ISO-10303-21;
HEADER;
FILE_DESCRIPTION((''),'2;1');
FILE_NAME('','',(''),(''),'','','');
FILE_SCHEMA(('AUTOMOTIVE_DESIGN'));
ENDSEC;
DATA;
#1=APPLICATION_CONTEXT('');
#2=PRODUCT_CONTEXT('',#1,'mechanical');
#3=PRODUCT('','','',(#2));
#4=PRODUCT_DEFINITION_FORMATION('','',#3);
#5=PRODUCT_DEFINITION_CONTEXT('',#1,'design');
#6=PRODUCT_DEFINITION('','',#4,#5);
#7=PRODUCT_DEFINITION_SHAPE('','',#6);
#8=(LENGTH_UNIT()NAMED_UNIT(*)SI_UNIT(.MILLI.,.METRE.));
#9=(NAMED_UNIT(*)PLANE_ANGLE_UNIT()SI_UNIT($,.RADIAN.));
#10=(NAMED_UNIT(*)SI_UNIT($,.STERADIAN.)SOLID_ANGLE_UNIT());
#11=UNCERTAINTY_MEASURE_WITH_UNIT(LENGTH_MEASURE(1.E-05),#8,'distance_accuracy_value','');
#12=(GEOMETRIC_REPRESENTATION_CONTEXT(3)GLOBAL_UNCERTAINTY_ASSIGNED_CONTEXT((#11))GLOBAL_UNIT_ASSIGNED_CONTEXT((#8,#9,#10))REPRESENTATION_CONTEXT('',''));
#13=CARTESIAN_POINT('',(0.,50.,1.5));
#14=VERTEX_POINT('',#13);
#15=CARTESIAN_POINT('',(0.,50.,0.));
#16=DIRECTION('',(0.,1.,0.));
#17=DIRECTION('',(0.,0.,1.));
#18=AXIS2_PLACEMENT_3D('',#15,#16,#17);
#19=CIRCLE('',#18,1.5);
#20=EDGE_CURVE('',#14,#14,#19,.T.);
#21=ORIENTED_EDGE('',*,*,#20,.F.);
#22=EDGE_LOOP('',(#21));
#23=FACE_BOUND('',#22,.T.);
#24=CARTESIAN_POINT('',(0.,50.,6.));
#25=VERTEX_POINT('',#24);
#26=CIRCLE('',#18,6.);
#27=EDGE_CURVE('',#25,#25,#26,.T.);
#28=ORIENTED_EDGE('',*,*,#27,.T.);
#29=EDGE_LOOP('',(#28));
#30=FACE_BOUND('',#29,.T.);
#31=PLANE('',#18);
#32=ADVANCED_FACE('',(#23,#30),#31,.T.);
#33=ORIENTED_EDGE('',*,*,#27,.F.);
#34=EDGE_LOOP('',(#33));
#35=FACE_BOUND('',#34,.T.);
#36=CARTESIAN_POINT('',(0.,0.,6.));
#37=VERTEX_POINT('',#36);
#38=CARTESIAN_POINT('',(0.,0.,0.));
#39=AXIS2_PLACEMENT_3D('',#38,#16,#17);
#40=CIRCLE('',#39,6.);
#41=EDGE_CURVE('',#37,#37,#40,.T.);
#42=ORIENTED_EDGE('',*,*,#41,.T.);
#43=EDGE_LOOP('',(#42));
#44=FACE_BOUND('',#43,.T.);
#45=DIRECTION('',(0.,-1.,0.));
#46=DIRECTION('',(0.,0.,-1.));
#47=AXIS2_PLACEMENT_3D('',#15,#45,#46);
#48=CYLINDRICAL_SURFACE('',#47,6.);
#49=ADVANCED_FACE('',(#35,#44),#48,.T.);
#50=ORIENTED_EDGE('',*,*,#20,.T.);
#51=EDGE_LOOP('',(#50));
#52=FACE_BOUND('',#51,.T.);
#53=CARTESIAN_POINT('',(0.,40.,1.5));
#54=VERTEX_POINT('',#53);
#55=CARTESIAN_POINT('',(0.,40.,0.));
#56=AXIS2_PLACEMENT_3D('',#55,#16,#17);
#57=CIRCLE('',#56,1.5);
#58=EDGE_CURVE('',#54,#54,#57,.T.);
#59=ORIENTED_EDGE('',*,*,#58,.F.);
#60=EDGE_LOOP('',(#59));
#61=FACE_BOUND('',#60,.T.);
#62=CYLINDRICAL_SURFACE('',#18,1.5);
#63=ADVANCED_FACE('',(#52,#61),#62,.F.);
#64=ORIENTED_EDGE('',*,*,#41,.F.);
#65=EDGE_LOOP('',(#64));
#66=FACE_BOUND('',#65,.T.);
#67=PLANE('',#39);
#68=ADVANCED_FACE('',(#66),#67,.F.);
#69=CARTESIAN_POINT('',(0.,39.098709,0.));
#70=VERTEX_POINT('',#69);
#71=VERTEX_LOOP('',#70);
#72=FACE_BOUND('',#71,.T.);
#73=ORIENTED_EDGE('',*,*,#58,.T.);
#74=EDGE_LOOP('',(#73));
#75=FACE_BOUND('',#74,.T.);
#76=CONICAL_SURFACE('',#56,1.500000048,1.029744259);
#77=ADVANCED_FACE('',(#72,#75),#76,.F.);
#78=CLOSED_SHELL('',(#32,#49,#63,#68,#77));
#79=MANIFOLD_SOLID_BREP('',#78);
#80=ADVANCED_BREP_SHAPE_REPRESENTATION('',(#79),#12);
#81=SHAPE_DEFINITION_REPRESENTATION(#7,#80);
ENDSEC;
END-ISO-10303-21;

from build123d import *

# Parameters (mm, degrees)
SKETCH1_R                       = 6
BOSS_EXTRUDE1_DEPTH             = 50
F_32_0_116_DIAMETER_HOLE1_D     = 3.000000096
F_32_0_116_DIAMETER_HOLE1_DEPTH = 10
F_32_0_116_DIAMETER_HOLE1_TIP   = 0.901290957


with BuildPart() as part:
    # Sketch1 → Boss-Extrude1 (new body)
    with BuildSketch(Plane(origin=(0, 0, 0), x_dir=(1, 0, 0), z_dir=(0, 1, 0))):
        with Locations(Location((0, 0, 0), (0, 0, 270))):
            Circle(SKETCH1_R)
    extrude(amount=BOSS_EXTRUDE1_DEPTH)

    # #32 (0.116) Diameter Hole1
    with Locations(Plane(origin=(0, 50, 0), x_dir=(1, 0, 0), z_dir=(0, 1, 0))):
        with Locations((0, 0)):
            Hole(F_32_0_116_DIAMETER_HOLE1_D / 2, depth=F_32_0_116_DIAMETER_HOLE1_DEPTH)
            with Locations((0, 0, -(F_32_0_116_DIAMETER_HOLE1_DEPTH + F_32_0_116_DIAMETER_HOLE1_TIP / 2))):  # 118° drill point
                Cone(0, F_32_0_116_DIAMETER_HOLE1_D / 2, F_32_0_116_DIAMETER_HOLE1_TIP, mode=Mode.SUBTRACT)


solid = part.part
